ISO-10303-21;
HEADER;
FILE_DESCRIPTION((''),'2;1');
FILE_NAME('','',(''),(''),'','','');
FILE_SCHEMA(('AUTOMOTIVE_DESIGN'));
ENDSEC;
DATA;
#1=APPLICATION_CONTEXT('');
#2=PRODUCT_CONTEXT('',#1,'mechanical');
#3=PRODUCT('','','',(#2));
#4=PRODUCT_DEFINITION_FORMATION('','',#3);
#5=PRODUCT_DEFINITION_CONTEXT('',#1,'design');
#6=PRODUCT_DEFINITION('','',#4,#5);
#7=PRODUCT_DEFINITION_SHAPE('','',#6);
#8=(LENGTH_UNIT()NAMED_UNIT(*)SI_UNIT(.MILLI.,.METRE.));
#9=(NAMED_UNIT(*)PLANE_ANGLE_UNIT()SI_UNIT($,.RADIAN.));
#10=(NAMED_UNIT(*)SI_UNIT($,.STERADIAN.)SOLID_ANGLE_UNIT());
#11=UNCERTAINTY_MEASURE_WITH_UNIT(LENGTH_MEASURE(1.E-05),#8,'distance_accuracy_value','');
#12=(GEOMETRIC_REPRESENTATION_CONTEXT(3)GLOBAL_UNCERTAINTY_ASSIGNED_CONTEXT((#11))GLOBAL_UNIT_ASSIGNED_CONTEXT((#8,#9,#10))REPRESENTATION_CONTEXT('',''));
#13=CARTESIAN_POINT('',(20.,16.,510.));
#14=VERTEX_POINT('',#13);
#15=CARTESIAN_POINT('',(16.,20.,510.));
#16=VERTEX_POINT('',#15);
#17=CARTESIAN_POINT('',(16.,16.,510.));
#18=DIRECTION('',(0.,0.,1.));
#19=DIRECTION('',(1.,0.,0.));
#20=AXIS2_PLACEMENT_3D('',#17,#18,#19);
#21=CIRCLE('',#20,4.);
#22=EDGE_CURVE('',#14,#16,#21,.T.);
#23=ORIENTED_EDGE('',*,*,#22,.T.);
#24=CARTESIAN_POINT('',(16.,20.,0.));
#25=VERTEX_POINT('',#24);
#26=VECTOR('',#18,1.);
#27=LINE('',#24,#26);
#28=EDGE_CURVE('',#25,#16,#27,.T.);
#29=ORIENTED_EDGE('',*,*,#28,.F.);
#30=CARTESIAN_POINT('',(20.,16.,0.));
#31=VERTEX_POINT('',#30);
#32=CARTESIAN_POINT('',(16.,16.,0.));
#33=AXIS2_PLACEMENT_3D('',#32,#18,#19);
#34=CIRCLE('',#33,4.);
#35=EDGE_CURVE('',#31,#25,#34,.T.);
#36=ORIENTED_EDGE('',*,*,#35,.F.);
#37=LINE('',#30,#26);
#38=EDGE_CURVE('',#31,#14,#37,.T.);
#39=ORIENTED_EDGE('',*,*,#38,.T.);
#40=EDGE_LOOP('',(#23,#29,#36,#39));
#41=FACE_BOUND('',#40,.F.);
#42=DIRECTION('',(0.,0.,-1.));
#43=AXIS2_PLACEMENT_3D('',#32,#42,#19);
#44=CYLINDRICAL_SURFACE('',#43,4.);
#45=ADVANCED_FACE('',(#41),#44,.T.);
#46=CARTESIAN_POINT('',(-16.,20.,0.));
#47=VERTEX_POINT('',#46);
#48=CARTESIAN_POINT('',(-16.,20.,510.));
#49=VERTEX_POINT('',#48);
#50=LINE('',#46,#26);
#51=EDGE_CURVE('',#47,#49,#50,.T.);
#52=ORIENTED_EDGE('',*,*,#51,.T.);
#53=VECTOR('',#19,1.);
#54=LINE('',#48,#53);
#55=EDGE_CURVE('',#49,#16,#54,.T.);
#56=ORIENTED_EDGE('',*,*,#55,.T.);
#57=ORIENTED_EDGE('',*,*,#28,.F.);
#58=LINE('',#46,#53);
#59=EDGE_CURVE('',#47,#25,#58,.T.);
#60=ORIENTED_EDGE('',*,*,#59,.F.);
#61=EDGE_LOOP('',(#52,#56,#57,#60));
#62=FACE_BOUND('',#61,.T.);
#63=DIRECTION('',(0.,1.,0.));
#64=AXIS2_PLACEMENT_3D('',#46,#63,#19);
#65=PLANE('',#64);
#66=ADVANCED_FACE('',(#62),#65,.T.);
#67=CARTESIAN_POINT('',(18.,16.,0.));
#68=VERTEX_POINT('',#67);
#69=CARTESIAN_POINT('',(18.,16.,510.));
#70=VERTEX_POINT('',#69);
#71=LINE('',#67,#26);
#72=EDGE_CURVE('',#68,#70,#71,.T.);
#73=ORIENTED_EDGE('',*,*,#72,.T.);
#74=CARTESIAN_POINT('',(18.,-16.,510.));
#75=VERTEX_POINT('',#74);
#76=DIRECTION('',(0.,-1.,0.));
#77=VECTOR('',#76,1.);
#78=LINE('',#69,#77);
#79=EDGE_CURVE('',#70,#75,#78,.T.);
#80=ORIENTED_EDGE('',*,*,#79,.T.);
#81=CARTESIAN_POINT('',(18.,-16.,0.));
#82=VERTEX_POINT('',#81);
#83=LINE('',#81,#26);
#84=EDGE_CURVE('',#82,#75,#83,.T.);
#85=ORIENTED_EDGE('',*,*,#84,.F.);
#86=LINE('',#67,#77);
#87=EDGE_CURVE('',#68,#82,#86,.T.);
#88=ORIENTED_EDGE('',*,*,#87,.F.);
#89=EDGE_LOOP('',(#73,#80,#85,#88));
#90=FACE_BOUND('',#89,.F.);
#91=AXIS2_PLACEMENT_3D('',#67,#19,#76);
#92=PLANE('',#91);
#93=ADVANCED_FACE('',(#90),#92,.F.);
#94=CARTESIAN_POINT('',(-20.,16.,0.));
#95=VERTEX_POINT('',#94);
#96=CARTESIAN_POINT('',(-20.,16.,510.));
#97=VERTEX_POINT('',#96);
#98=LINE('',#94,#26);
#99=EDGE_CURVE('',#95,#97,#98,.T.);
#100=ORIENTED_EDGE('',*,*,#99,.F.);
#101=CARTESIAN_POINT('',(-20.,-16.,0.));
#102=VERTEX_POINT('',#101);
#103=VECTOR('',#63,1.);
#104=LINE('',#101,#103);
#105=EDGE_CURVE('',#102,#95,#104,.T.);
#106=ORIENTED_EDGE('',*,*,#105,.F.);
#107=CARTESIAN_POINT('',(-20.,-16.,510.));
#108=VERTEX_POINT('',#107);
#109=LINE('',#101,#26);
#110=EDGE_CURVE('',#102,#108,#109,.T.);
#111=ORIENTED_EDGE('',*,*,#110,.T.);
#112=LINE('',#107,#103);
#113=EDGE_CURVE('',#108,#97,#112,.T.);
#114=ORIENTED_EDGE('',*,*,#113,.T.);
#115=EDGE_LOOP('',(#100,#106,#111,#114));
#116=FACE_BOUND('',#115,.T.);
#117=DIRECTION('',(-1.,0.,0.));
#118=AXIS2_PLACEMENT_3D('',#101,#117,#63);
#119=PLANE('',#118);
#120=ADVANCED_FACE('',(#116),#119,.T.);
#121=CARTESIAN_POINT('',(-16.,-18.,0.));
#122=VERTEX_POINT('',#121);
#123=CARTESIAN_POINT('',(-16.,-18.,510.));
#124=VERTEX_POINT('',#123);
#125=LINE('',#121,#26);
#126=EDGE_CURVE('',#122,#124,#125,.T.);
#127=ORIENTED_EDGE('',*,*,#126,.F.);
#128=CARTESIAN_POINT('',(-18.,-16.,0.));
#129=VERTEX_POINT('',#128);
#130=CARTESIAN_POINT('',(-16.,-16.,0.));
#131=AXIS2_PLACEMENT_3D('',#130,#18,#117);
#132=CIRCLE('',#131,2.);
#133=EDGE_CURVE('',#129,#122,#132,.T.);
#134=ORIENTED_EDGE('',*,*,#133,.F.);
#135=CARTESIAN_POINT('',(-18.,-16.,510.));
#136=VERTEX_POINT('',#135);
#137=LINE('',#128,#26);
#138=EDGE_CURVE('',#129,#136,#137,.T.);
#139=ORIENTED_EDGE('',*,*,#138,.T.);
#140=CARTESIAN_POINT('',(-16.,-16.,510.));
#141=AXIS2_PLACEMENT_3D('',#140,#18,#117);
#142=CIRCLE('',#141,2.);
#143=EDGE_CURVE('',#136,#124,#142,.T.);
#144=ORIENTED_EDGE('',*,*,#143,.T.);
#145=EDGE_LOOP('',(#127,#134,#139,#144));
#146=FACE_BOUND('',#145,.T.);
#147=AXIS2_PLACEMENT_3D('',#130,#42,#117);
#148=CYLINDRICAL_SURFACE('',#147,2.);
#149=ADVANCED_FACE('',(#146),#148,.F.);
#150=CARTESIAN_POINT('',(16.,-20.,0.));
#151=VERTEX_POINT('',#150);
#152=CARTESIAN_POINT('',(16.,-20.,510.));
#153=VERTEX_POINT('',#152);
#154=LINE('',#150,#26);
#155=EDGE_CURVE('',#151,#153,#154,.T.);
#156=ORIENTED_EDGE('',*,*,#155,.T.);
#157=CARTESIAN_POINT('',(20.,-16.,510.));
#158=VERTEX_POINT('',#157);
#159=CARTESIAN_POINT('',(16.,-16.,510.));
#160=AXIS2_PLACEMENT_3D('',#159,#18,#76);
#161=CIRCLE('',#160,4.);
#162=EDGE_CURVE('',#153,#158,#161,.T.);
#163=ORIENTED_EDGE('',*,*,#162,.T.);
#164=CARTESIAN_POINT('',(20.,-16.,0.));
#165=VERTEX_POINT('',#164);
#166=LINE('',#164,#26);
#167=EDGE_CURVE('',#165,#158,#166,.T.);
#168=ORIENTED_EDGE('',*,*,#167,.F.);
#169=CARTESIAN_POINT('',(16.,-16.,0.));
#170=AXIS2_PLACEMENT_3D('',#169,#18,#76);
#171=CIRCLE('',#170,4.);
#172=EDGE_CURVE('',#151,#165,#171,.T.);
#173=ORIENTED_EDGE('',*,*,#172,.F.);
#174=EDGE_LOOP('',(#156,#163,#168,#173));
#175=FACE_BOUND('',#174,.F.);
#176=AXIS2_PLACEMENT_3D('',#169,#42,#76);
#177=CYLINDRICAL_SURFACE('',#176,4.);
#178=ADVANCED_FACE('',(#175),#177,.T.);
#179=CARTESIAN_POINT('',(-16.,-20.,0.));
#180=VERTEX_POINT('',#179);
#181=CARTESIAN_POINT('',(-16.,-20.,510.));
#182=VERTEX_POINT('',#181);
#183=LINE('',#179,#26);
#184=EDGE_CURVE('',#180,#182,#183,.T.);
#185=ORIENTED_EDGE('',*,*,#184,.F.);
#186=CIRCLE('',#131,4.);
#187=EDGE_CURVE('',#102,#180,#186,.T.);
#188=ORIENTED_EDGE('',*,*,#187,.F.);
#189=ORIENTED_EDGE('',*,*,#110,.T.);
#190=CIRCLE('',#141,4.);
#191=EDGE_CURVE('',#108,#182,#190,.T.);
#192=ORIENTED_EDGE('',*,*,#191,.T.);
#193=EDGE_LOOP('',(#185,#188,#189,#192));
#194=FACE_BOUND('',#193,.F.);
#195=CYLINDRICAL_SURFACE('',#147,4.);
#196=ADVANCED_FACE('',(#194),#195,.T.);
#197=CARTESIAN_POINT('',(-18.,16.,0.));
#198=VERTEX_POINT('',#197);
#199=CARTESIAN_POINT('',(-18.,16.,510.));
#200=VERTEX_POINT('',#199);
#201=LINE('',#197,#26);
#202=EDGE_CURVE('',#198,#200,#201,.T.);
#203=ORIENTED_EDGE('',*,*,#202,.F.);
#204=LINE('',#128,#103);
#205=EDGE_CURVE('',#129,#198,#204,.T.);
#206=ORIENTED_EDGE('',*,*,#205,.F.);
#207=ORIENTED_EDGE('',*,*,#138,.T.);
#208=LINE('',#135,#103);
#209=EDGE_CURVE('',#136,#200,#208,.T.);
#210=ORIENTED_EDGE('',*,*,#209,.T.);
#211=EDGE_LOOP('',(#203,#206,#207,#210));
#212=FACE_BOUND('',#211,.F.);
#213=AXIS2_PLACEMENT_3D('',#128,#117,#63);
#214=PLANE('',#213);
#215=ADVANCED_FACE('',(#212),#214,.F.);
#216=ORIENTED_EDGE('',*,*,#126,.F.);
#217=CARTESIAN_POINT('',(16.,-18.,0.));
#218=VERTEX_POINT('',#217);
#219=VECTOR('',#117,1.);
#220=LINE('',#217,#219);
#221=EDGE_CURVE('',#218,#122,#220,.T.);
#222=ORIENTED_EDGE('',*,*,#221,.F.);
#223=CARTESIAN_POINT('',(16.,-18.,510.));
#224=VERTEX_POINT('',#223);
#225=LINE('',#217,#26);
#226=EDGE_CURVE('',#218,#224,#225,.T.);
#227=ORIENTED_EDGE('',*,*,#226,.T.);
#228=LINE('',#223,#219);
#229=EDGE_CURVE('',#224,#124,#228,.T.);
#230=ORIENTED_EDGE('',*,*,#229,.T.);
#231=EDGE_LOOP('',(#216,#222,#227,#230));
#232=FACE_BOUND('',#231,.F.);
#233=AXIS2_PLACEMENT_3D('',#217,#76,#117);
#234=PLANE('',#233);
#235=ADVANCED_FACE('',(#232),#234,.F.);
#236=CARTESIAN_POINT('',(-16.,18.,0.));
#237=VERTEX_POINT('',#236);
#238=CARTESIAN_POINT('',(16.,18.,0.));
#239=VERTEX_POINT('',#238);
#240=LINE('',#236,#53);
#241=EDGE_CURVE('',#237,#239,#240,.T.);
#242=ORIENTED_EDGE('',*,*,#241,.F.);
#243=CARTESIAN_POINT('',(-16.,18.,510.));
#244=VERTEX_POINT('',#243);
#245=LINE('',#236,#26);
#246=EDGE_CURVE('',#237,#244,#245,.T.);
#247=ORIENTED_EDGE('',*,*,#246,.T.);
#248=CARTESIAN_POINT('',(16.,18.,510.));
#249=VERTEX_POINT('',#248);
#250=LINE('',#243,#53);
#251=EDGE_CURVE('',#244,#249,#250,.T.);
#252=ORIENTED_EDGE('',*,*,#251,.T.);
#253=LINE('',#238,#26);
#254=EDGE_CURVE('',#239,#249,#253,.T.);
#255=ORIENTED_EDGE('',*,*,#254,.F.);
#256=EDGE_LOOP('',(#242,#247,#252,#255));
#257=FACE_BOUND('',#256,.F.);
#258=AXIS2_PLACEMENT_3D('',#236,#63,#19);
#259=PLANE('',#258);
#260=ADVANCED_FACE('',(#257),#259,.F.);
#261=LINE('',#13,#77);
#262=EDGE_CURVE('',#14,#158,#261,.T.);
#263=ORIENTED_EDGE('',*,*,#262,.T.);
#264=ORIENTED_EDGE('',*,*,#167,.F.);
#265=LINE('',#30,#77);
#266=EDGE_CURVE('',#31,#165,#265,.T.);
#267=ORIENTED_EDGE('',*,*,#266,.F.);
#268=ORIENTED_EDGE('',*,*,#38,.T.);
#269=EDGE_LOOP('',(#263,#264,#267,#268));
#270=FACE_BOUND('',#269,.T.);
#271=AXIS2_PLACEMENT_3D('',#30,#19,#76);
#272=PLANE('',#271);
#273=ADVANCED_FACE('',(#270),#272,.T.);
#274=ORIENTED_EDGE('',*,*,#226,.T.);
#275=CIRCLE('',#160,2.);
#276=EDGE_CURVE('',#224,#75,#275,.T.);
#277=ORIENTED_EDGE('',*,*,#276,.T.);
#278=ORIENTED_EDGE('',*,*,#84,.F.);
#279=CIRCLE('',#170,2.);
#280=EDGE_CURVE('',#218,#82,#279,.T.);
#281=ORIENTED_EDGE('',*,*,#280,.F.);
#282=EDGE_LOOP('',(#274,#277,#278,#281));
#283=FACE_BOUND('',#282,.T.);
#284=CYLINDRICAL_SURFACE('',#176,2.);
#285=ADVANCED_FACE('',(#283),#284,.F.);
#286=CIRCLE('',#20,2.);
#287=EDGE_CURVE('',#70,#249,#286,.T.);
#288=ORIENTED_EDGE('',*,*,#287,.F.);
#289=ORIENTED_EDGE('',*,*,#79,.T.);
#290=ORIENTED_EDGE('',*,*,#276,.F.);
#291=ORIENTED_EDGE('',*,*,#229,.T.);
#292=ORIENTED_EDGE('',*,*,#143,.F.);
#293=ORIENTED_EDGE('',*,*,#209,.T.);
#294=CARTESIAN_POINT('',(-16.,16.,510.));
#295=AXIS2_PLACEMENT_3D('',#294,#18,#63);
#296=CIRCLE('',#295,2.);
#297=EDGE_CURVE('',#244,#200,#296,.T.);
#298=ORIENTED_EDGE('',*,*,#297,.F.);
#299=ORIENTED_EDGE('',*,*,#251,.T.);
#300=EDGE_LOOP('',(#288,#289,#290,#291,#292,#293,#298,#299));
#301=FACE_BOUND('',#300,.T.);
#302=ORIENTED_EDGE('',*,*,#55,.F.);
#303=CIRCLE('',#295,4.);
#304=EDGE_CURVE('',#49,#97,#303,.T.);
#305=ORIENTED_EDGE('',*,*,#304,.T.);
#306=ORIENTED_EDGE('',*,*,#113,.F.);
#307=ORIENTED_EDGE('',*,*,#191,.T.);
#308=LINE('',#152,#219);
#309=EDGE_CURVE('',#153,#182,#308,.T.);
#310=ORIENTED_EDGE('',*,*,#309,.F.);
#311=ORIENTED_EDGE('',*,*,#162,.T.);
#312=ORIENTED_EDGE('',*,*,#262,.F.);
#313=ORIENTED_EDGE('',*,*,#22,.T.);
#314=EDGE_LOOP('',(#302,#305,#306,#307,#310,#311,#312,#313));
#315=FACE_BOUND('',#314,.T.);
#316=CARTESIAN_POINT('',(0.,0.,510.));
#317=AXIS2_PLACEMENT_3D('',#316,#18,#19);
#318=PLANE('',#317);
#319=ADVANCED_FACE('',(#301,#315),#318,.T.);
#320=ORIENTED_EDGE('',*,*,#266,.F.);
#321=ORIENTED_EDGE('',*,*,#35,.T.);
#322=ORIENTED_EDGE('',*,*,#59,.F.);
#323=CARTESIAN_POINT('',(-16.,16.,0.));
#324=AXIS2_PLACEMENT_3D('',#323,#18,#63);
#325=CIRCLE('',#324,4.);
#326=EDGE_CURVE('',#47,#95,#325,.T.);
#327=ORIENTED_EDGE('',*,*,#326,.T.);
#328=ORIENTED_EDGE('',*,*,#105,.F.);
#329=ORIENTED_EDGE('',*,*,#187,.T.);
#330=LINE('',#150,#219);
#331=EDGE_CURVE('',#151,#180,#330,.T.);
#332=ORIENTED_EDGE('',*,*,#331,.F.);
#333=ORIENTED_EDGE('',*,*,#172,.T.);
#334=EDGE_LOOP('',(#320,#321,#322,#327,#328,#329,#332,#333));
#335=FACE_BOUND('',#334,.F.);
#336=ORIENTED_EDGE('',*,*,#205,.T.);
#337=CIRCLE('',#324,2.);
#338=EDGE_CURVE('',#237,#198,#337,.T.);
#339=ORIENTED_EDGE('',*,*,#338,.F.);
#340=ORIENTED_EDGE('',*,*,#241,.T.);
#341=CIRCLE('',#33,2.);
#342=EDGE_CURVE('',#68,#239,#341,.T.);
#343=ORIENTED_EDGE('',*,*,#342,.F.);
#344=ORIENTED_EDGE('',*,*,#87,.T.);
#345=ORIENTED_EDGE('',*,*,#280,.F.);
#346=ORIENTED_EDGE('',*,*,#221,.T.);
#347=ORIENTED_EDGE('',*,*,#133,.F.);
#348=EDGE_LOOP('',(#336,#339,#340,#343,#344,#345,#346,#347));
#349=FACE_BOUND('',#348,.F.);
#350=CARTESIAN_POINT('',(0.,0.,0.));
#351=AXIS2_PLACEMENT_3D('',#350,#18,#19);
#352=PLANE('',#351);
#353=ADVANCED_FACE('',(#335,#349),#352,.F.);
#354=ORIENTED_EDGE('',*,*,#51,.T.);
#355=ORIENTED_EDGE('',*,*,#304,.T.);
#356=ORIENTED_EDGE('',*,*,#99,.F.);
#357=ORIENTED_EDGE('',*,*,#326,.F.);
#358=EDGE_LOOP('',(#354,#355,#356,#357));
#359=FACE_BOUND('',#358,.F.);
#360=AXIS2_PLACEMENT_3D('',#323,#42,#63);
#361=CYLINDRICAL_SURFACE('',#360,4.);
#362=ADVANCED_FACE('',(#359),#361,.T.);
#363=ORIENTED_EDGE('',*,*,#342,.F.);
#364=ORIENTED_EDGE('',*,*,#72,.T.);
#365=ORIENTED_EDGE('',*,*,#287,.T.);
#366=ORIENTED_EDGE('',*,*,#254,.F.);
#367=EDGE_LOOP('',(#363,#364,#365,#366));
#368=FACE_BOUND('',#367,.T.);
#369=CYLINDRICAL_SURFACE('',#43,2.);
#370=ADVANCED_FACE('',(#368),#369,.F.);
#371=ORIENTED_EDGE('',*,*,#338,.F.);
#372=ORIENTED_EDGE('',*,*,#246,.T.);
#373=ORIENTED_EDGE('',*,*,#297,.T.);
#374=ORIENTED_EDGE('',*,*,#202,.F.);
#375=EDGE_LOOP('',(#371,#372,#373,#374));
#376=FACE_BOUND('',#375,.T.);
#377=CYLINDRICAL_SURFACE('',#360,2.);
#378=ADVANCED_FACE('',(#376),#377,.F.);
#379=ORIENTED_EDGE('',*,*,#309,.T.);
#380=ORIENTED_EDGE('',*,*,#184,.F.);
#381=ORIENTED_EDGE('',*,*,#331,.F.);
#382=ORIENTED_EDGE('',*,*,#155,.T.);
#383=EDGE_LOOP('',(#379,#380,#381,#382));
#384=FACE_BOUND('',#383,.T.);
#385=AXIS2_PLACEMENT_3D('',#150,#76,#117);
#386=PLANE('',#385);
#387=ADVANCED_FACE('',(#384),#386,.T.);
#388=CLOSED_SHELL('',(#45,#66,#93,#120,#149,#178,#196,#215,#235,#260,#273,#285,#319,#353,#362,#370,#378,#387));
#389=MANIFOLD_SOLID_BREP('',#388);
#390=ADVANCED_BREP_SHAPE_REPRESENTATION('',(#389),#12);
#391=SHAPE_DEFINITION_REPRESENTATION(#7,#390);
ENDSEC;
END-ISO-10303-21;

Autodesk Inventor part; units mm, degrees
ref_plane "YZ Plane" through (0, 0, 0) normal (1, 0, 0) x (0, 1, 0)
ref_plane "Start Plane" through (0, 0, 0) normal (0, 0, 1) x (1, 0, 0)
ref_plane "End Plane" through (0, 0, 510) normal (0, 0, 1) x (1, 0, 0)
sketch "Sketch" plane through (0, 0, 0) normal (0, 0, 1) x (1, 0, 0)
  line L0 (-20, -16) -> (-20, 16)
  line L1 (-16, 20) -> (16, 20)
  line L2 (20, 16) -> (20, -16)
  line L3 (16, -20) -> (-16, -20)
  arc A0 (-20, -16) -> (-16, -20) centre (-16, -16) ccw
  arc A1 (20, 16) -> (16, 20) centre (16, 16) ccw
  arc A2 (-16, 20) -> (-20, 16) centre (-16, 16) ccw
  arc A3 (16, -20) -> (20, -16) centre (16, -16) ccw
  arc A4 (-16, 18) -> (-18, 16) centre (-16, 16) ccw
  line L4 (-16, 18) -> (16, 18)
  arc A5 (18, 16) -> (16, 18) centre (16, 16) ccw
  line L5 (18, 16) -> (18, -16)
  arc A6 (16, -18) -> (18, -16) centre (16, -16) ccw
  line L6 (16, -18) -> (-16, -18)
  arc A7 (-18, -16) -> (-16, -18) centre (-16, -16) ccw
  line L7 (-18, -16) -> (-18, 16)
  line L8 (0, 29.1598) -> (0, -29.1598) construction
  line L9 (-29.1598, 0) -> (29.1598, 0) construction
  dimension "d7" = 4
  dimension "d9" = 40
  dimension "d11" = 40
  dimension "d12" = 2
  dimension "d15" = 20
  dimension "d16" = 20
extrude "Body" add sketch "Sketch" along normal up to surface (510 mm away) from surface at 0
sketch "Sketch3" plane through (0, 0, 0) normal (0, 0, 1) x (1, 0, 0)
  line L0 (0, 0) -> (10, 0)
ref_plane "Work Plane3" through (0, 0, 0) normal (0, -1, 0) x (1, 0, 0)
sketch "Sketch4" plane through (0, 0, 0) normal (0, -1, 0) x (1, 0, 0)
  line L0 (-2, 0) -> (12, 0) projected
  line L1 (-2, 510) -> (12, 510) projected
  dimension "d18" = 510
equation "\"d7\" = G_IR"
equation "\"d9\" = G_W"
equation "\"d11\" = G_H"
equation "\"d12\" = G_T"
equation "\"d15\" = 0.5 * d9"
equation "\"d16\" = 0.5 * d11"
equation "\"d3\" = G_L"
equation "\"G_W\" = 40"
equation "\"G_H\" = 40"
equation "\"G_T\" = 2"
equation "\"G_IR\" = 4"
equation "\"G_L\" = d18"
equation "\"G_OFFSET_START\" = 0"
equation "\"G_OFFSET_END\" = 0"
properties part number "ISO 10799-2 - 40x40x2 - 510" material "Steel, Mild"
